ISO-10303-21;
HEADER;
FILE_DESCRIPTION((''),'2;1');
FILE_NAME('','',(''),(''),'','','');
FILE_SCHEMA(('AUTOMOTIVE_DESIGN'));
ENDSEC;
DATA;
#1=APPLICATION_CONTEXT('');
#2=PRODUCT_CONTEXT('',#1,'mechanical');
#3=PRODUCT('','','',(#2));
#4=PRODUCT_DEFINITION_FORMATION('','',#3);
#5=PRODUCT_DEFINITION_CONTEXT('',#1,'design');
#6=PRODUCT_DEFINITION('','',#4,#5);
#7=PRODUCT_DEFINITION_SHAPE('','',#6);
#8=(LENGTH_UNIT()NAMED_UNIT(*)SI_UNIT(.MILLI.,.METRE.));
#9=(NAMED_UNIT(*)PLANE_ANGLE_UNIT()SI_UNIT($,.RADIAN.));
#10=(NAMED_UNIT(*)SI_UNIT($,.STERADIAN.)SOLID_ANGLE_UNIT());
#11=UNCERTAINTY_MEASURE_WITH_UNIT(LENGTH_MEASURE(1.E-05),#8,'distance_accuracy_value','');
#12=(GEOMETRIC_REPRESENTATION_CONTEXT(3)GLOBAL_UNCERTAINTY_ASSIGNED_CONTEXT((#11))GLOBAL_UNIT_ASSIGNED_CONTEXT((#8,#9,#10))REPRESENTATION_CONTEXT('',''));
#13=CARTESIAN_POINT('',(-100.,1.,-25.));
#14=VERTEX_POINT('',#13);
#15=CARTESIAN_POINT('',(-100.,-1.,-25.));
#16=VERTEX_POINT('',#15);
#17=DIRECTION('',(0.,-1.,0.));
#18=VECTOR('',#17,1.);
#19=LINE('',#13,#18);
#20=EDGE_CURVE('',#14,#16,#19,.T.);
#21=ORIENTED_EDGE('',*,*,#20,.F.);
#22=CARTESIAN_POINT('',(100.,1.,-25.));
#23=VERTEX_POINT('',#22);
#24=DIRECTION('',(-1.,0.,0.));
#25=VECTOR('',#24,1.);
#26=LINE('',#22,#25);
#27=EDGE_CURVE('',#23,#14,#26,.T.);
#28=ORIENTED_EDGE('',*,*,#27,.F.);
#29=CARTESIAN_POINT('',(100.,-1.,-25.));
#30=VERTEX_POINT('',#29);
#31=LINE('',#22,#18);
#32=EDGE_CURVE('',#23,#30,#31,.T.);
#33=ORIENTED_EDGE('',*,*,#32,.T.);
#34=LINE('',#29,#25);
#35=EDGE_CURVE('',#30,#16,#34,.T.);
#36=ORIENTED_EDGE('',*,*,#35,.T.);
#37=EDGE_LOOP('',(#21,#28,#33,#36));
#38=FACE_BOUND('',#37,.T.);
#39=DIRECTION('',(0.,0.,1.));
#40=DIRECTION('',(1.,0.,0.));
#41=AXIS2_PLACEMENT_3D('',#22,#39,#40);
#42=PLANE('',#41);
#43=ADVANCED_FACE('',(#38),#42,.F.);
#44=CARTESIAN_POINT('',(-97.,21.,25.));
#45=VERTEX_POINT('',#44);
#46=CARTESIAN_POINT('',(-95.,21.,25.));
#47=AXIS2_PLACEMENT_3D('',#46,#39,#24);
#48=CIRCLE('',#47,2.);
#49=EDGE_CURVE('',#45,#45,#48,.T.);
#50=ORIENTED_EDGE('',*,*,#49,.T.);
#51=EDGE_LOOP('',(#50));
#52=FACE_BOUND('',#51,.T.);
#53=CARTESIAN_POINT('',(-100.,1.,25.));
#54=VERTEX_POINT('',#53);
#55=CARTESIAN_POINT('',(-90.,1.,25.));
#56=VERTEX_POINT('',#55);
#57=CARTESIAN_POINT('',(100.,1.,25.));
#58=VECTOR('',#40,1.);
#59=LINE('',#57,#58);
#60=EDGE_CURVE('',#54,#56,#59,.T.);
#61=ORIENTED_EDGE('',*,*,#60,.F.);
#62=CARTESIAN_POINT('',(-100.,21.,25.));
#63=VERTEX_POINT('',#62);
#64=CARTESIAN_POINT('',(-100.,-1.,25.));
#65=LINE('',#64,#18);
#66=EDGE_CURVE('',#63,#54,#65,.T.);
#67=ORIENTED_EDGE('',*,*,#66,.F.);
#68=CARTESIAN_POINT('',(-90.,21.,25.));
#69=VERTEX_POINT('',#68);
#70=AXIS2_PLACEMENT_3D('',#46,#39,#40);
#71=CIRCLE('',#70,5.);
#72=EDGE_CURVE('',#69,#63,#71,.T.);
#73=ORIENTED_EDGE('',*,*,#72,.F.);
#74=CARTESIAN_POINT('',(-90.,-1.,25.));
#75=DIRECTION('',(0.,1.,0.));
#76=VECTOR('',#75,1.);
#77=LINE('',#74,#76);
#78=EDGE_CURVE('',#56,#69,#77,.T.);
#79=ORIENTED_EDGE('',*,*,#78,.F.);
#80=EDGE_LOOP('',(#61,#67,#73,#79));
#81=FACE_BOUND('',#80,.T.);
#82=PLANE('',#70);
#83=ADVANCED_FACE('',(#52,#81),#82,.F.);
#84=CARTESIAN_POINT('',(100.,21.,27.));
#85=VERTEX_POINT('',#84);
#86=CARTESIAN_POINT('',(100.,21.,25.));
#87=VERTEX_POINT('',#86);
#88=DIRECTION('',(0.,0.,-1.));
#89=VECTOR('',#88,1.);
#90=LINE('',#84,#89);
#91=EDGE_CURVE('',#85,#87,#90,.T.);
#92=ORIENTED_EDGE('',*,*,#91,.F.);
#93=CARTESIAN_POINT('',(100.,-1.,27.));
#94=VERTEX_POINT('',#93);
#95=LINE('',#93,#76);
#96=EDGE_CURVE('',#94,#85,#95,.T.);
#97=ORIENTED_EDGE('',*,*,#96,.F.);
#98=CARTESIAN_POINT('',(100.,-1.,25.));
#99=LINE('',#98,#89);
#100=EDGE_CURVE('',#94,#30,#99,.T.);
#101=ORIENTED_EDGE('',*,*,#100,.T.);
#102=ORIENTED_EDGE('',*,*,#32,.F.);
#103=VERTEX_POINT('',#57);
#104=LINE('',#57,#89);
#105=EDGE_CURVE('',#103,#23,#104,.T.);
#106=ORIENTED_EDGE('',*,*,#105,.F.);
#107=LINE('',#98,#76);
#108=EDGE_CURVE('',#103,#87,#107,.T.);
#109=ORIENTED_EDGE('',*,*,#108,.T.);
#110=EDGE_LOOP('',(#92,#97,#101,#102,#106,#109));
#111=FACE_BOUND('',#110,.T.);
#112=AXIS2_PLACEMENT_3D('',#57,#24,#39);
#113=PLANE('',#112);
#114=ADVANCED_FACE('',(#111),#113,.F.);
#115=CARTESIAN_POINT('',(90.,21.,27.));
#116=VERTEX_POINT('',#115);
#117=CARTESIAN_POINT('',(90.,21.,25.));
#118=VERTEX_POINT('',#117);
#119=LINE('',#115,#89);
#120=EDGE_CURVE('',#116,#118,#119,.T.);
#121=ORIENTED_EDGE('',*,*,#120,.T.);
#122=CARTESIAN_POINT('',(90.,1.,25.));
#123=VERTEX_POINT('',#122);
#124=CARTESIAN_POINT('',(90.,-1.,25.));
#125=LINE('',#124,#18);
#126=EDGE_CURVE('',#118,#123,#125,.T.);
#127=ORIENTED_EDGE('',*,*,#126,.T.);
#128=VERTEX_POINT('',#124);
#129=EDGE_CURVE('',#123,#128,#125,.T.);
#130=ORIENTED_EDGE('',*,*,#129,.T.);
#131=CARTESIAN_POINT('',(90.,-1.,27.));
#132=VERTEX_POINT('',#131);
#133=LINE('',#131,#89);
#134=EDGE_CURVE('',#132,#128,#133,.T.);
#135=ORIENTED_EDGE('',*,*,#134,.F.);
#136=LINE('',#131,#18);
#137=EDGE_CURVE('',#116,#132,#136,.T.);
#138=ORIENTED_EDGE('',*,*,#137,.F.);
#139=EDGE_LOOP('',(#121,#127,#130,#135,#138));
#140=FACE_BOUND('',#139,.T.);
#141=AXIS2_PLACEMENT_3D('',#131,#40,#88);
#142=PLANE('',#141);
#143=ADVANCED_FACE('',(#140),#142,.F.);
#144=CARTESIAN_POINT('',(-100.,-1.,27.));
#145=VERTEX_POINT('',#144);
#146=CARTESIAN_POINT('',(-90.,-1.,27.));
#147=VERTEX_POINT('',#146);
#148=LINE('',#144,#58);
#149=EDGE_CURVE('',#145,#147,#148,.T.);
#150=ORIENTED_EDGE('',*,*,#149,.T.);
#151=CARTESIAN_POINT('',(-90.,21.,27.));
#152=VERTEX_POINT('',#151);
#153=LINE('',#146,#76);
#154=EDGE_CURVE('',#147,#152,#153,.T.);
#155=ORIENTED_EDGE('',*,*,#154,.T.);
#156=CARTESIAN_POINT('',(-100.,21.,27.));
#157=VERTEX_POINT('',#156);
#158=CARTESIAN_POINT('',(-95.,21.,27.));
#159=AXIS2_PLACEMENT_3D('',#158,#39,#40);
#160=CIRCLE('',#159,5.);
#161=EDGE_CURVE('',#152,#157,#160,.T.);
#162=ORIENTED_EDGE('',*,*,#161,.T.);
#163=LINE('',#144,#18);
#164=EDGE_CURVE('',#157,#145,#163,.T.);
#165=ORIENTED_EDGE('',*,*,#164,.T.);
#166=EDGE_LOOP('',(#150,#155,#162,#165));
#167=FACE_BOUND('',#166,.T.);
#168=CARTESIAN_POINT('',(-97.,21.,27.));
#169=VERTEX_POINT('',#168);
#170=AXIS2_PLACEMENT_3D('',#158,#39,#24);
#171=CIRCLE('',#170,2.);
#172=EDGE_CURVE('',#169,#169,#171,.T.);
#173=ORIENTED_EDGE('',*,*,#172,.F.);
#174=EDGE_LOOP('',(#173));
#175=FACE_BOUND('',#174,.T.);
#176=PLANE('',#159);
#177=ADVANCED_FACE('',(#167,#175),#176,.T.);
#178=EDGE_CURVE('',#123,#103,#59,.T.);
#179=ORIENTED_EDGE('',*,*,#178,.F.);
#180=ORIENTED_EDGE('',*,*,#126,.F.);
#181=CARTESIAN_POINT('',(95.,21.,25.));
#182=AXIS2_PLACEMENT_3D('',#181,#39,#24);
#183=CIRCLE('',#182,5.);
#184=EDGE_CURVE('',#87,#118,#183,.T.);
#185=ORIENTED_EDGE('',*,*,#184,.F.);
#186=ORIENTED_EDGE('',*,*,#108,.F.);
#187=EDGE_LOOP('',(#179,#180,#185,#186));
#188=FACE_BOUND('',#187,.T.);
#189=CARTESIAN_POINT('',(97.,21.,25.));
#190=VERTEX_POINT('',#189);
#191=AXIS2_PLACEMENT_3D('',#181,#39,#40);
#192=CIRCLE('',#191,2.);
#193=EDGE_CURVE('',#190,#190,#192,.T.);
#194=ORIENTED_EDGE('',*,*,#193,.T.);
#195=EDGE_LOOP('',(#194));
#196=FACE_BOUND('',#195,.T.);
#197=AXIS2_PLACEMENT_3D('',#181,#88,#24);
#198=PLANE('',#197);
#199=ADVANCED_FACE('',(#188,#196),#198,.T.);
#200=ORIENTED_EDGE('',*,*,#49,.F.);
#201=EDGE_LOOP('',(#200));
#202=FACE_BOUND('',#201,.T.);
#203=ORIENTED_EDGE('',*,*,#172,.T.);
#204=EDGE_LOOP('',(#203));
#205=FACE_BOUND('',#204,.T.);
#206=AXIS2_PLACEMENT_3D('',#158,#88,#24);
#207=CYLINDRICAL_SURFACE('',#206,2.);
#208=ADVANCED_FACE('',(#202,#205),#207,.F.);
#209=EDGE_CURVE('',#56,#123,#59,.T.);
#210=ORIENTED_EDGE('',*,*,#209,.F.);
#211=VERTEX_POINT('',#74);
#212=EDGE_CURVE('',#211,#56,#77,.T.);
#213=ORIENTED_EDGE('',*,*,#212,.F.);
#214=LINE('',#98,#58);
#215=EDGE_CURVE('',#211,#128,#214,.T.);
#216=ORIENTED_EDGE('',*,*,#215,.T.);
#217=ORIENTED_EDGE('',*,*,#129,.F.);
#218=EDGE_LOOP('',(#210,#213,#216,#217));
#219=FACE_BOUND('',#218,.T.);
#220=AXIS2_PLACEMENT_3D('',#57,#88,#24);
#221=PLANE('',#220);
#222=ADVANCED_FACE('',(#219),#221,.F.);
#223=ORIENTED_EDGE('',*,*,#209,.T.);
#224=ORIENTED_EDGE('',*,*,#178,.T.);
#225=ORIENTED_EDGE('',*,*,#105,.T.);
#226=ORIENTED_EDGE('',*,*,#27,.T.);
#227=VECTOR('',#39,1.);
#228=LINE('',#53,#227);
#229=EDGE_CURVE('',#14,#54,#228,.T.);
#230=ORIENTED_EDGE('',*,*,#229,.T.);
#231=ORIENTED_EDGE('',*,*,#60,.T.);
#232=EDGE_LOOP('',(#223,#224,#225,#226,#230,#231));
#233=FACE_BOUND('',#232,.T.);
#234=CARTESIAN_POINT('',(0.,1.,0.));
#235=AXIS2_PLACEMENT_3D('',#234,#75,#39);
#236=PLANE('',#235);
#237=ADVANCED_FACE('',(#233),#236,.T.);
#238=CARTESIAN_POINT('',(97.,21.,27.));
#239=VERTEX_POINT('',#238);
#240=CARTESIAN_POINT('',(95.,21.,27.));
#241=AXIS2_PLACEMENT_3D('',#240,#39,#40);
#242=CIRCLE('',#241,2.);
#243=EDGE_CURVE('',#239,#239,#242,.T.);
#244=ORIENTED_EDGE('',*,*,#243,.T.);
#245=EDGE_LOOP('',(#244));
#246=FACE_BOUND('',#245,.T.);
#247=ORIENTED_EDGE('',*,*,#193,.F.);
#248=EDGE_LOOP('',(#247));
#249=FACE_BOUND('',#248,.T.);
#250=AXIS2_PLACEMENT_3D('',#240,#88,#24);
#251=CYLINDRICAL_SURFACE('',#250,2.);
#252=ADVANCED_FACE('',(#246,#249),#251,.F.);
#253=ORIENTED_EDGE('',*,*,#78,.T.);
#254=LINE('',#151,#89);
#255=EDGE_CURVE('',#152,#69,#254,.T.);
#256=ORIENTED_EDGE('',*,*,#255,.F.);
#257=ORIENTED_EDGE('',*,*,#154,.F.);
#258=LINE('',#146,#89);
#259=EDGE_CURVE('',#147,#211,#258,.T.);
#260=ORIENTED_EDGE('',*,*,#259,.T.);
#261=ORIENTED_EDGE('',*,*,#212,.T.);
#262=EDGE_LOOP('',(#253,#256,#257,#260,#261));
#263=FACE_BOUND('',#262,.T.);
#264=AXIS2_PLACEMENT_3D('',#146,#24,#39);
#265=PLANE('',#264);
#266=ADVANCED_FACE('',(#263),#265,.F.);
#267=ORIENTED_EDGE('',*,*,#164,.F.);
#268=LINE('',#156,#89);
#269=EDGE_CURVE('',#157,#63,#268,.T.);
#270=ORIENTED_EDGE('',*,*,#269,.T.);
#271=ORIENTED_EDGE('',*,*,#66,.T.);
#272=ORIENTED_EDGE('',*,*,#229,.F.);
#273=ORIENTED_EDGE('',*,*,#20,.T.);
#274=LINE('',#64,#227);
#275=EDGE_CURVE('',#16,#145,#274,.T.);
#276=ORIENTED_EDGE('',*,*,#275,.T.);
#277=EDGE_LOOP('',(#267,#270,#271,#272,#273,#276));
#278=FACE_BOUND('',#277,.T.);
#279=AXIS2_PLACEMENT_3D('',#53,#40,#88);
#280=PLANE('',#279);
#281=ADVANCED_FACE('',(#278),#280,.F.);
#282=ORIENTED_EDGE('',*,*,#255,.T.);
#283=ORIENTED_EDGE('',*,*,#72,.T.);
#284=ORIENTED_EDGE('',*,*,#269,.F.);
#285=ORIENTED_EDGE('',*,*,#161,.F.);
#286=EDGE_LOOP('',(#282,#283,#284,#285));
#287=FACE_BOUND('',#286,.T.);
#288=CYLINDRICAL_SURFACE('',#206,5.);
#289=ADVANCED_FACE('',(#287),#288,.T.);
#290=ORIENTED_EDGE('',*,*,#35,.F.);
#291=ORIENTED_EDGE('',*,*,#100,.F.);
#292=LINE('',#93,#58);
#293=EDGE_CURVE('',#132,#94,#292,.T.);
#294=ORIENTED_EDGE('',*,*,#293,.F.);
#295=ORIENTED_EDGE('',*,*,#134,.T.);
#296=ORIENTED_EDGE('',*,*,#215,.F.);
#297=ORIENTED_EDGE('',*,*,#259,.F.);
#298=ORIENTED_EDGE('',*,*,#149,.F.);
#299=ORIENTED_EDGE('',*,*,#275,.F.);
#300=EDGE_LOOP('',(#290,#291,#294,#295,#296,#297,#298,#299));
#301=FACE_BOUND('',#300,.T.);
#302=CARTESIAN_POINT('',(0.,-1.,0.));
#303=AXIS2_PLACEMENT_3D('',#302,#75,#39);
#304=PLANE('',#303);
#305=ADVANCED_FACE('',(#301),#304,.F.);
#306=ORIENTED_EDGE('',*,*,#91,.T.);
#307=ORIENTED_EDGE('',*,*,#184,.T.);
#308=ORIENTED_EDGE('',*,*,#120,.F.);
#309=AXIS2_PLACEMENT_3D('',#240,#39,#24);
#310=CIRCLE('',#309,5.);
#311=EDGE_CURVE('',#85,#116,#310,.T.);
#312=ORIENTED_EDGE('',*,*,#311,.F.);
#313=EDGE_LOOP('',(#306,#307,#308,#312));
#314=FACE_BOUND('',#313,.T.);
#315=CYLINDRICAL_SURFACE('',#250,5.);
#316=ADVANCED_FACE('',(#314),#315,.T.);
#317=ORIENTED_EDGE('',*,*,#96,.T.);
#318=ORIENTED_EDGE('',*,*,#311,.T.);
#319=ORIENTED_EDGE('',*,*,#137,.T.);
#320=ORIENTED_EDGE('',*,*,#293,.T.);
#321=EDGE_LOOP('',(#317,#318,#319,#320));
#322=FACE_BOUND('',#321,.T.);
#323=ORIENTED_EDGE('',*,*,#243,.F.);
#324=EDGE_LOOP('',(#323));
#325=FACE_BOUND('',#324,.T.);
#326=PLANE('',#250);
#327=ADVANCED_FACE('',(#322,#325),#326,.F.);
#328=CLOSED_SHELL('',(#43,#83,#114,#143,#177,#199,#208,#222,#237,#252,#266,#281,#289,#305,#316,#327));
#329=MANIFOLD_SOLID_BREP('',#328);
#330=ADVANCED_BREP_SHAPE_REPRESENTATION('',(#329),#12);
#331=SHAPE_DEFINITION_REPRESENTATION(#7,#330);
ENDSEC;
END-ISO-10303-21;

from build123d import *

# Parameters (mm, degrees)
SKETCH3_W           = 200
SKETCH3_H           = 50
BOSS_EXTRUDE2_DEPTH = 1
SKETCH4_R           = 2
BOSS_EXTRUDE3_DEPTH = 2


with BuildPart() as part:
    # Sketch3 → Boss-Extrude2 (new, symmetric)
    with BuildSketch(Plane(origin=(0, 0, 0), x_dir=(1, 0, 0), z_dir=(0, 1, 0))):
        Rectangle(SKETCH3_W, SKETCH3_H)
    extrude(amount=BOSS_EXTRUDE2_DEPTH, both=True)

    # Sketch4 → Boss-Extrude3 (add)
    # profile 1 of 2: a face of its own
    with BuildSketch(Plane.XY.offset(25)):
        with BuildLine():
            Line((100, -1), (90, -1))
            Line((90, -1), (90, 21))
            ThreePointArc((90, 21), (95, 26), (100, 21))
            Line((100, 21), (100, -1))
        make_face()
        with Locations((95, 21)):
            Circle(SKETCH4_R, mode=Mode.SUBTRACT)
    # profile 2 of 2: a face of its own
    with BuildSketch(Plane.XY.offset(25)):
        with BuildLine():
            Line((-90, -1), (-90, 21))
            ThreePointArc((-90, 21), (-95, 26), (-100, 21))
            Line((-100, 21), (-100, -1))
            Line((-100, -1), (-90, -1))
        make_face()
        with Locations(Location((-95, 21, 0), (0, 0, 180))):
            Circle(SKETCH4_R, mode=Mode.SUBTRACT)
    extrude(amount=BOSS_EXTRUDE3_DEPTH)


solid = part.part
